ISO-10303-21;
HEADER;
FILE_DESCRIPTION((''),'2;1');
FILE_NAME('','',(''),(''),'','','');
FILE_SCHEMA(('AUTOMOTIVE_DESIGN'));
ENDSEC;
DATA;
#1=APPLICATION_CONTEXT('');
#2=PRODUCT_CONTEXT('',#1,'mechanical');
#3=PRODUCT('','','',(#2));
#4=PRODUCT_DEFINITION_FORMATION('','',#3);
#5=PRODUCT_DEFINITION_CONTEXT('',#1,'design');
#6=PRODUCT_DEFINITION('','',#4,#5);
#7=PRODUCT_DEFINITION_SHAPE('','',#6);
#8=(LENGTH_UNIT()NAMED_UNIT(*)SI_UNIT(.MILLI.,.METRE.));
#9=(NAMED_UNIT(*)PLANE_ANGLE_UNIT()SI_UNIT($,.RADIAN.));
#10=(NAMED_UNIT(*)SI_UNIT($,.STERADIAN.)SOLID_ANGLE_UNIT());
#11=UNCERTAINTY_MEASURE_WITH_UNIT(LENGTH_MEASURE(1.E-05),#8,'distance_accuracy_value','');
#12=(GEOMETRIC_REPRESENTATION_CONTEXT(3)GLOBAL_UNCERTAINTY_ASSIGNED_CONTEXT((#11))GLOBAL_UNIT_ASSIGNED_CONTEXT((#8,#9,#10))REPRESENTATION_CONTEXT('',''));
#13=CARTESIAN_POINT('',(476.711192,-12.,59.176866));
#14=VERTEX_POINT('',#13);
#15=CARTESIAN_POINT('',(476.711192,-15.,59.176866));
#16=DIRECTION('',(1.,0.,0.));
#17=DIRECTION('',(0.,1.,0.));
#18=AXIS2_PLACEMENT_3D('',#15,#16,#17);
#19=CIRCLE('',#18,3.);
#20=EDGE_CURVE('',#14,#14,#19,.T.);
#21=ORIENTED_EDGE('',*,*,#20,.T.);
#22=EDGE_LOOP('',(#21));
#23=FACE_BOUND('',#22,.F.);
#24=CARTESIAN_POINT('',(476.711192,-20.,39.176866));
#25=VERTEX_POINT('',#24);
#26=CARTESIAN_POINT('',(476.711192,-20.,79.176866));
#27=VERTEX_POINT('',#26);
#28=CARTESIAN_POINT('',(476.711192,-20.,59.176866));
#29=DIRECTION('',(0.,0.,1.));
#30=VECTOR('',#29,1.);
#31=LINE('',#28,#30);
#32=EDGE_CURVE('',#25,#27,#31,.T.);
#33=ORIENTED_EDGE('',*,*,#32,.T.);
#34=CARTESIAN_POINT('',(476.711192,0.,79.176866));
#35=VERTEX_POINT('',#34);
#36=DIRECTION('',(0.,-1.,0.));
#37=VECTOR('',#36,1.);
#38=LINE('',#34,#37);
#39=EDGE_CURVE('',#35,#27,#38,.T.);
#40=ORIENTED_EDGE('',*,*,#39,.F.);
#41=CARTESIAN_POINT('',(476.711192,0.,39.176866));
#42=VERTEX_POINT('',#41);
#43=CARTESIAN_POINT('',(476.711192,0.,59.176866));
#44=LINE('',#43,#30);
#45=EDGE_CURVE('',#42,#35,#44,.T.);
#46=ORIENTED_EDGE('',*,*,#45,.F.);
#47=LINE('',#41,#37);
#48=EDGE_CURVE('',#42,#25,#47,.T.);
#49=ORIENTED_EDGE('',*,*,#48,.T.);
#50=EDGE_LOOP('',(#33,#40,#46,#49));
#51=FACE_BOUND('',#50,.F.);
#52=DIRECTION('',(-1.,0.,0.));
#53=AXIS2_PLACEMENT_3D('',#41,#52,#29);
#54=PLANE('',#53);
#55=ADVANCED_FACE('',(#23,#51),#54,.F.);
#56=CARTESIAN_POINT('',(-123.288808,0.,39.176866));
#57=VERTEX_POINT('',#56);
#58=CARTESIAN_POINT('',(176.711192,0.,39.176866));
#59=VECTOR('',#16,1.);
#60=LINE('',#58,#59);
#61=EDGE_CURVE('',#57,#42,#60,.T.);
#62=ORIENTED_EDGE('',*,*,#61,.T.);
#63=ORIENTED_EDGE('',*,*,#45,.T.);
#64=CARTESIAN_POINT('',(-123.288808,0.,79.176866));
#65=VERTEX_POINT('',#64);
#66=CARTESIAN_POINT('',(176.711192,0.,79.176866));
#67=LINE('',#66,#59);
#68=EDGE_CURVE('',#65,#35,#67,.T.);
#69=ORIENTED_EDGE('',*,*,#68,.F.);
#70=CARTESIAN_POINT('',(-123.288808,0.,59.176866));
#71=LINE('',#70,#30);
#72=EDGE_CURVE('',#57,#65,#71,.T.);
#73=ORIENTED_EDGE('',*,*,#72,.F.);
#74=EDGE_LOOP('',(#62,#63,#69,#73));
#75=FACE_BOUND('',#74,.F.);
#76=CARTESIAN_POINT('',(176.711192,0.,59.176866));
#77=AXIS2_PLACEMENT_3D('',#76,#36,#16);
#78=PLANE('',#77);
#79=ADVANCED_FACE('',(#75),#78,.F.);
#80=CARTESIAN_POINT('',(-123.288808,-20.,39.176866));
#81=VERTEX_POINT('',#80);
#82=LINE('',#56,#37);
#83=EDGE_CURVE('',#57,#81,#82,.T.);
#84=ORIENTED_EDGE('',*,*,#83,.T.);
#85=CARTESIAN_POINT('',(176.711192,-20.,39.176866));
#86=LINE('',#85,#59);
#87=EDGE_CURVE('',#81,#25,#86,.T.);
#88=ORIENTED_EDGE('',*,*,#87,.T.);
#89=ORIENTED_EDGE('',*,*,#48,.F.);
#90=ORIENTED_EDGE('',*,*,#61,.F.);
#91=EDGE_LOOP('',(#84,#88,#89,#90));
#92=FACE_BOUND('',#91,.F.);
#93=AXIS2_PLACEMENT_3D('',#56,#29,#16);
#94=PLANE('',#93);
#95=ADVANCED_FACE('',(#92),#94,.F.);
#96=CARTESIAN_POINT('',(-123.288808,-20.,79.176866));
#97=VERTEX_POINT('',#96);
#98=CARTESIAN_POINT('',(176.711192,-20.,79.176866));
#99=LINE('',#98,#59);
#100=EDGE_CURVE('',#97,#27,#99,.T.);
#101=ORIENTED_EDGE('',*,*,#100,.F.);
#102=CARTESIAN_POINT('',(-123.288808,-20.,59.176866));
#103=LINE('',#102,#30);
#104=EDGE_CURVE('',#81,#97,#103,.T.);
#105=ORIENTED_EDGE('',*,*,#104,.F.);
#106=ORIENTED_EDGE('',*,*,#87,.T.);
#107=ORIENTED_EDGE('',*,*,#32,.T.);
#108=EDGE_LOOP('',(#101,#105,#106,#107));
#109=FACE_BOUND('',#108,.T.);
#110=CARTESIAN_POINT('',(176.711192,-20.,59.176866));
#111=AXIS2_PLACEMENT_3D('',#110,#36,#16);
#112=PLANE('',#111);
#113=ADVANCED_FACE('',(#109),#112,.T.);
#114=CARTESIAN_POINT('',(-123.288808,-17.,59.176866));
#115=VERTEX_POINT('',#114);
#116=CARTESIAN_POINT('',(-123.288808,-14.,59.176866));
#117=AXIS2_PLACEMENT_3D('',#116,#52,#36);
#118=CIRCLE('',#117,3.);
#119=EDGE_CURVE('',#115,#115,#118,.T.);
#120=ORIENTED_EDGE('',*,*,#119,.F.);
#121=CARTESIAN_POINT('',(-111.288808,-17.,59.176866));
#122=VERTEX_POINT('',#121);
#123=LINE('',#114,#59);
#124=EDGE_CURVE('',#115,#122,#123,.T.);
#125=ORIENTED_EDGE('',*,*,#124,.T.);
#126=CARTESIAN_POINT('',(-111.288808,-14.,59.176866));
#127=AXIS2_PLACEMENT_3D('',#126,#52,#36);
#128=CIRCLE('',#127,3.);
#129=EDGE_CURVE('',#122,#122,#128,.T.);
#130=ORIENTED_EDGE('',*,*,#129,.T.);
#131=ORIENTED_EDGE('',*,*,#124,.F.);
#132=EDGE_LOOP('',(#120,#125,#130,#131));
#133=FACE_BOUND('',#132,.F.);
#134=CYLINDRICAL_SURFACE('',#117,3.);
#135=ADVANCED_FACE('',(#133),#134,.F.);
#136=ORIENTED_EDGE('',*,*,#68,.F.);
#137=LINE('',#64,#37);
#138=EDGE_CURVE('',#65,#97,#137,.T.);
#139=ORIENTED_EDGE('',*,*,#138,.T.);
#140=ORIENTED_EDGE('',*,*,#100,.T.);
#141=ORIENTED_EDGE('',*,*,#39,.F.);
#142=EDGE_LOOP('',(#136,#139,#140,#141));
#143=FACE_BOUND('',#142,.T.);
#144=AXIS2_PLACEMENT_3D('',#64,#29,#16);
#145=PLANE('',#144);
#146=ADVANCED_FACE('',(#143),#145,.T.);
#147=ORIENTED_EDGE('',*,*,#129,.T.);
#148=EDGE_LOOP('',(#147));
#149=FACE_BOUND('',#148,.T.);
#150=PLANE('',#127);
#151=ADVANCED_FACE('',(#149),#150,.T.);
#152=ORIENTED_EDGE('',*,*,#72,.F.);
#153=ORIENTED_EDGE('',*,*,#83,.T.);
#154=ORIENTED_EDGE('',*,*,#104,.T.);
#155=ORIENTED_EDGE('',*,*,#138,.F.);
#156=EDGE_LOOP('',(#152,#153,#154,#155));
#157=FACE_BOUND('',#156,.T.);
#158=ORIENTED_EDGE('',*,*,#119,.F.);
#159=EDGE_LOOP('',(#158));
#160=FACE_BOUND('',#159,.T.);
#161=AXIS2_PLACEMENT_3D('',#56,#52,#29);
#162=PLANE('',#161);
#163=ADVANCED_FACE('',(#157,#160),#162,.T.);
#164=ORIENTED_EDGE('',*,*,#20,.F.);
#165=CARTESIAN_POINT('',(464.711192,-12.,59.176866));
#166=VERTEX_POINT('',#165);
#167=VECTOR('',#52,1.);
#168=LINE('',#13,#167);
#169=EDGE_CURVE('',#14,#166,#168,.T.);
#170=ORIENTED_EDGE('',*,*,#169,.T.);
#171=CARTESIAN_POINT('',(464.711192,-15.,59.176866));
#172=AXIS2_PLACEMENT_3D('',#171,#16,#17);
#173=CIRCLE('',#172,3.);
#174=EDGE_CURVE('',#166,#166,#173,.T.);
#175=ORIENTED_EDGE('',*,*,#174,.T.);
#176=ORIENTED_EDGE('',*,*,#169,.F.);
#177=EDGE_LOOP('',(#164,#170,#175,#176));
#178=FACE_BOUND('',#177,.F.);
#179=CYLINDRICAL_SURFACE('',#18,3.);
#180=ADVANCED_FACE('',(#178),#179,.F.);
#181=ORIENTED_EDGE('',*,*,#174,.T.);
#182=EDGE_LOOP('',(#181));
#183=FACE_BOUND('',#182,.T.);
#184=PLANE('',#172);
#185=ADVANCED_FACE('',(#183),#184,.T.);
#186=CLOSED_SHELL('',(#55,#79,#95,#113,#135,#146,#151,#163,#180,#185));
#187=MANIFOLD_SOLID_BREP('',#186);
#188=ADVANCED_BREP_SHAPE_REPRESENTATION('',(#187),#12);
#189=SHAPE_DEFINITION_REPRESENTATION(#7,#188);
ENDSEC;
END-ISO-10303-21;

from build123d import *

# Parameters (mm, degrees)
F0_W     = 600
F0_H     = 40
F1_DEPTH = 20
F2_R     = 3
F3_DEPTH = 12
F4_R     = 3
F5_DEPTH = 12


with BuildPart() as f1:
    # F0 (on Front) → F1 (new body)
    with BuildSketch(Plane.XZ):
        with Locations((176.711192, 59.176866)):
            Rectangle(F0_W, F0_H)
    extrude(amount=F1_DEPTH)

    # F2 (on face) → F3 (cut)
    with BuildSketch(Plane.YZ.offset(476.711192)):
        with Locations((-15, 59.176866)):
            Circle(F2_R)
    extrude(amount=-F3_DEPTH, mode=Mode.SUBTRACT)

    # F4 (on face) → F5 (cut)
    with BuildSketch(Plane(origin=(-123.288808, 0, 0), x_dir=(0, -1, 0), z_dir=(-1, 0, 0))):
        with Locations((14, 59.176866)):
            Circle(F4_R)
    extrude(amount=-F5_DEPTH, mode=Mode.SUBTRACT)


solid = f1.part
